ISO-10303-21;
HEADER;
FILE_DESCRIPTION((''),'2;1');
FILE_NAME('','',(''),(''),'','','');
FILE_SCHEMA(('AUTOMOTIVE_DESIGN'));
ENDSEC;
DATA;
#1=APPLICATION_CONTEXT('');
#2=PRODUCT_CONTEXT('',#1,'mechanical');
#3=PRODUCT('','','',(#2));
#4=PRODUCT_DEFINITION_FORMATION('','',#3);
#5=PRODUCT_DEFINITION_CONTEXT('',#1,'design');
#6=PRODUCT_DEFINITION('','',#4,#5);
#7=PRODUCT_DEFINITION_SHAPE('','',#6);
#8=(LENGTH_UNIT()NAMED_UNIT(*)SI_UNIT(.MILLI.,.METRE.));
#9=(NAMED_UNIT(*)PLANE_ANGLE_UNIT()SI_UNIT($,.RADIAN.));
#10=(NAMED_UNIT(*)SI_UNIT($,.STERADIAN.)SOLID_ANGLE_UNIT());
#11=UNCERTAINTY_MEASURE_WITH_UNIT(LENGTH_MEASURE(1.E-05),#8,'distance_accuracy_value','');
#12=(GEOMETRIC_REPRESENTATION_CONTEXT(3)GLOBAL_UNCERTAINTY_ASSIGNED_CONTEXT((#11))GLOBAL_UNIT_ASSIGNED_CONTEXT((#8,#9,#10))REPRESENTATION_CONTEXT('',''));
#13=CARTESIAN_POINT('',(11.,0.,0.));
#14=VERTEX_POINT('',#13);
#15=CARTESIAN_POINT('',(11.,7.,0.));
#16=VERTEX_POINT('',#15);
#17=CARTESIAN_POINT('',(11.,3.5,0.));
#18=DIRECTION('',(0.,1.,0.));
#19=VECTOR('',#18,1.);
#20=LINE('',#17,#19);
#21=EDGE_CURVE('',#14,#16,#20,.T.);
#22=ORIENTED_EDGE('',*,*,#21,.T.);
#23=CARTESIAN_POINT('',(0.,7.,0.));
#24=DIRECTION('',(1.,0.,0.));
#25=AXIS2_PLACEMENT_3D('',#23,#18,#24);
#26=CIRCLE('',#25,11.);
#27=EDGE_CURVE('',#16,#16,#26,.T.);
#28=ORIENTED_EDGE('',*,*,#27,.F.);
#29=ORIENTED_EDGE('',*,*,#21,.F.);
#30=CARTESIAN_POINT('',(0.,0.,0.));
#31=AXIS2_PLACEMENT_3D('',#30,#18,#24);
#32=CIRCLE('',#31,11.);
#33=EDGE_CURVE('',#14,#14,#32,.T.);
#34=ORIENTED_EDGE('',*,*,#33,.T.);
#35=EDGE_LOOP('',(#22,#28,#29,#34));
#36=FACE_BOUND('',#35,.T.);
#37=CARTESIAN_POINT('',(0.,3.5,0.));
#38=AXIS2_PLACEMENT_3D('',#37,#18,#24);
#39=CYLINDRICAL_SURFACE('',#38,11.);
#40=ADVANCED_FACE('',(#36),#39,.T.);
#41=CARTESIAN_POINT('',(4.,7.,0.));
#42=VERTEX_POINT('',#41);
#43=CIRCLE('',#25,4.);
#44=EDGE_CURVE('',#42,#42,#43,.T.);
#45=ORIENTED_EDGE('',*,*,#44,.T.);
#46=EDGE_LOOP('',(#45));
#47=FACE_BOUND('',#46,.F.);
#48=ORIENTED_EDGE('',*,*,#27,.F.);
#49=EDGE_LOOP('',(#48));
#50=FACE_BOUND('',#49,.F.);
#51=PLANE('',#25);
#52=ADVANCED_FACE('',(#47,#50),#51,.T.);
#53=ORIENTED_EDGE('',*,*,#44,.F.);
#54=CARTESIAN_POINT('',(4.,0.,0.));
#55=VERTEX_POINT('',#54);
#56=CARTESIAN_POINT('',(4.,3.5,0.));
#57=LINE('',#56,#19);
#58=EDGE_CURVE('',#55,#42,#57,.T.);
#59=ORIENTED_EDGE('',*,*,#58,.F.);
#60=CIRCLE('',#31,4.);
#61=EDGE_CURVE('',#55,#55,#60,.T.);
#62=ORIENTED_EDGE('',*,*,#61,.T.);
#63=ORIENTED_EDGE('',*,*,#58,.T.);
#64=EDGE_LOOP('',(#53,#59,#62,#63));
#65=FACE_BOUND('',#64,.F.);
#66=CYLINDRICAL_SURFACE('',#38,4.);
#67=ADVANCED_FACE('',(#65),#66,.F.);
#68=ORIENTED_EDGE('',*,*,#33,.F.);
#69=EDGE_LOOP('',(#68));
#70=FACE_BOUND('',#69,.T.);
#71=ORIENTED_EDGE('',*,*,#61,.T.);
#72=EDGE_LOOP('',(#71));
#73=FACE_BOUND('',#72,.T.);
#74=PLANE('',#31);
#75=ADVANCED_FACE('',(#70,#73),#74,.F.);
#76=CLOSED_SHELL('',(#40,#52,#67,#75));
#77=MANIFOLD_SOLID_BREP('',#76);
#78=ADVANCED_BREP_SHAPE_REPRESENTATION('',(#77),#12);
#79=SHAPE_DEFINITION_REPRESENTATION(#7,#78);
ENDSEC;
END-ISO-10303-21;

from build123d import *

# Parameters (mm, degrees)
SKETCH1_W = 7
SKETCH1_H = 7


with BuildPart() as part:
    # Sketch1 → Revolve1 (revolve)
    with BuildSketch(Plane.XY):
        with Locations((7.5, 3.5)):
            Rectangle(SKETCH1_W, SKETCH1_H)
    revolve(axis=Axis((0, 0, 0), (0, 1, 0)))


solid = part.part
